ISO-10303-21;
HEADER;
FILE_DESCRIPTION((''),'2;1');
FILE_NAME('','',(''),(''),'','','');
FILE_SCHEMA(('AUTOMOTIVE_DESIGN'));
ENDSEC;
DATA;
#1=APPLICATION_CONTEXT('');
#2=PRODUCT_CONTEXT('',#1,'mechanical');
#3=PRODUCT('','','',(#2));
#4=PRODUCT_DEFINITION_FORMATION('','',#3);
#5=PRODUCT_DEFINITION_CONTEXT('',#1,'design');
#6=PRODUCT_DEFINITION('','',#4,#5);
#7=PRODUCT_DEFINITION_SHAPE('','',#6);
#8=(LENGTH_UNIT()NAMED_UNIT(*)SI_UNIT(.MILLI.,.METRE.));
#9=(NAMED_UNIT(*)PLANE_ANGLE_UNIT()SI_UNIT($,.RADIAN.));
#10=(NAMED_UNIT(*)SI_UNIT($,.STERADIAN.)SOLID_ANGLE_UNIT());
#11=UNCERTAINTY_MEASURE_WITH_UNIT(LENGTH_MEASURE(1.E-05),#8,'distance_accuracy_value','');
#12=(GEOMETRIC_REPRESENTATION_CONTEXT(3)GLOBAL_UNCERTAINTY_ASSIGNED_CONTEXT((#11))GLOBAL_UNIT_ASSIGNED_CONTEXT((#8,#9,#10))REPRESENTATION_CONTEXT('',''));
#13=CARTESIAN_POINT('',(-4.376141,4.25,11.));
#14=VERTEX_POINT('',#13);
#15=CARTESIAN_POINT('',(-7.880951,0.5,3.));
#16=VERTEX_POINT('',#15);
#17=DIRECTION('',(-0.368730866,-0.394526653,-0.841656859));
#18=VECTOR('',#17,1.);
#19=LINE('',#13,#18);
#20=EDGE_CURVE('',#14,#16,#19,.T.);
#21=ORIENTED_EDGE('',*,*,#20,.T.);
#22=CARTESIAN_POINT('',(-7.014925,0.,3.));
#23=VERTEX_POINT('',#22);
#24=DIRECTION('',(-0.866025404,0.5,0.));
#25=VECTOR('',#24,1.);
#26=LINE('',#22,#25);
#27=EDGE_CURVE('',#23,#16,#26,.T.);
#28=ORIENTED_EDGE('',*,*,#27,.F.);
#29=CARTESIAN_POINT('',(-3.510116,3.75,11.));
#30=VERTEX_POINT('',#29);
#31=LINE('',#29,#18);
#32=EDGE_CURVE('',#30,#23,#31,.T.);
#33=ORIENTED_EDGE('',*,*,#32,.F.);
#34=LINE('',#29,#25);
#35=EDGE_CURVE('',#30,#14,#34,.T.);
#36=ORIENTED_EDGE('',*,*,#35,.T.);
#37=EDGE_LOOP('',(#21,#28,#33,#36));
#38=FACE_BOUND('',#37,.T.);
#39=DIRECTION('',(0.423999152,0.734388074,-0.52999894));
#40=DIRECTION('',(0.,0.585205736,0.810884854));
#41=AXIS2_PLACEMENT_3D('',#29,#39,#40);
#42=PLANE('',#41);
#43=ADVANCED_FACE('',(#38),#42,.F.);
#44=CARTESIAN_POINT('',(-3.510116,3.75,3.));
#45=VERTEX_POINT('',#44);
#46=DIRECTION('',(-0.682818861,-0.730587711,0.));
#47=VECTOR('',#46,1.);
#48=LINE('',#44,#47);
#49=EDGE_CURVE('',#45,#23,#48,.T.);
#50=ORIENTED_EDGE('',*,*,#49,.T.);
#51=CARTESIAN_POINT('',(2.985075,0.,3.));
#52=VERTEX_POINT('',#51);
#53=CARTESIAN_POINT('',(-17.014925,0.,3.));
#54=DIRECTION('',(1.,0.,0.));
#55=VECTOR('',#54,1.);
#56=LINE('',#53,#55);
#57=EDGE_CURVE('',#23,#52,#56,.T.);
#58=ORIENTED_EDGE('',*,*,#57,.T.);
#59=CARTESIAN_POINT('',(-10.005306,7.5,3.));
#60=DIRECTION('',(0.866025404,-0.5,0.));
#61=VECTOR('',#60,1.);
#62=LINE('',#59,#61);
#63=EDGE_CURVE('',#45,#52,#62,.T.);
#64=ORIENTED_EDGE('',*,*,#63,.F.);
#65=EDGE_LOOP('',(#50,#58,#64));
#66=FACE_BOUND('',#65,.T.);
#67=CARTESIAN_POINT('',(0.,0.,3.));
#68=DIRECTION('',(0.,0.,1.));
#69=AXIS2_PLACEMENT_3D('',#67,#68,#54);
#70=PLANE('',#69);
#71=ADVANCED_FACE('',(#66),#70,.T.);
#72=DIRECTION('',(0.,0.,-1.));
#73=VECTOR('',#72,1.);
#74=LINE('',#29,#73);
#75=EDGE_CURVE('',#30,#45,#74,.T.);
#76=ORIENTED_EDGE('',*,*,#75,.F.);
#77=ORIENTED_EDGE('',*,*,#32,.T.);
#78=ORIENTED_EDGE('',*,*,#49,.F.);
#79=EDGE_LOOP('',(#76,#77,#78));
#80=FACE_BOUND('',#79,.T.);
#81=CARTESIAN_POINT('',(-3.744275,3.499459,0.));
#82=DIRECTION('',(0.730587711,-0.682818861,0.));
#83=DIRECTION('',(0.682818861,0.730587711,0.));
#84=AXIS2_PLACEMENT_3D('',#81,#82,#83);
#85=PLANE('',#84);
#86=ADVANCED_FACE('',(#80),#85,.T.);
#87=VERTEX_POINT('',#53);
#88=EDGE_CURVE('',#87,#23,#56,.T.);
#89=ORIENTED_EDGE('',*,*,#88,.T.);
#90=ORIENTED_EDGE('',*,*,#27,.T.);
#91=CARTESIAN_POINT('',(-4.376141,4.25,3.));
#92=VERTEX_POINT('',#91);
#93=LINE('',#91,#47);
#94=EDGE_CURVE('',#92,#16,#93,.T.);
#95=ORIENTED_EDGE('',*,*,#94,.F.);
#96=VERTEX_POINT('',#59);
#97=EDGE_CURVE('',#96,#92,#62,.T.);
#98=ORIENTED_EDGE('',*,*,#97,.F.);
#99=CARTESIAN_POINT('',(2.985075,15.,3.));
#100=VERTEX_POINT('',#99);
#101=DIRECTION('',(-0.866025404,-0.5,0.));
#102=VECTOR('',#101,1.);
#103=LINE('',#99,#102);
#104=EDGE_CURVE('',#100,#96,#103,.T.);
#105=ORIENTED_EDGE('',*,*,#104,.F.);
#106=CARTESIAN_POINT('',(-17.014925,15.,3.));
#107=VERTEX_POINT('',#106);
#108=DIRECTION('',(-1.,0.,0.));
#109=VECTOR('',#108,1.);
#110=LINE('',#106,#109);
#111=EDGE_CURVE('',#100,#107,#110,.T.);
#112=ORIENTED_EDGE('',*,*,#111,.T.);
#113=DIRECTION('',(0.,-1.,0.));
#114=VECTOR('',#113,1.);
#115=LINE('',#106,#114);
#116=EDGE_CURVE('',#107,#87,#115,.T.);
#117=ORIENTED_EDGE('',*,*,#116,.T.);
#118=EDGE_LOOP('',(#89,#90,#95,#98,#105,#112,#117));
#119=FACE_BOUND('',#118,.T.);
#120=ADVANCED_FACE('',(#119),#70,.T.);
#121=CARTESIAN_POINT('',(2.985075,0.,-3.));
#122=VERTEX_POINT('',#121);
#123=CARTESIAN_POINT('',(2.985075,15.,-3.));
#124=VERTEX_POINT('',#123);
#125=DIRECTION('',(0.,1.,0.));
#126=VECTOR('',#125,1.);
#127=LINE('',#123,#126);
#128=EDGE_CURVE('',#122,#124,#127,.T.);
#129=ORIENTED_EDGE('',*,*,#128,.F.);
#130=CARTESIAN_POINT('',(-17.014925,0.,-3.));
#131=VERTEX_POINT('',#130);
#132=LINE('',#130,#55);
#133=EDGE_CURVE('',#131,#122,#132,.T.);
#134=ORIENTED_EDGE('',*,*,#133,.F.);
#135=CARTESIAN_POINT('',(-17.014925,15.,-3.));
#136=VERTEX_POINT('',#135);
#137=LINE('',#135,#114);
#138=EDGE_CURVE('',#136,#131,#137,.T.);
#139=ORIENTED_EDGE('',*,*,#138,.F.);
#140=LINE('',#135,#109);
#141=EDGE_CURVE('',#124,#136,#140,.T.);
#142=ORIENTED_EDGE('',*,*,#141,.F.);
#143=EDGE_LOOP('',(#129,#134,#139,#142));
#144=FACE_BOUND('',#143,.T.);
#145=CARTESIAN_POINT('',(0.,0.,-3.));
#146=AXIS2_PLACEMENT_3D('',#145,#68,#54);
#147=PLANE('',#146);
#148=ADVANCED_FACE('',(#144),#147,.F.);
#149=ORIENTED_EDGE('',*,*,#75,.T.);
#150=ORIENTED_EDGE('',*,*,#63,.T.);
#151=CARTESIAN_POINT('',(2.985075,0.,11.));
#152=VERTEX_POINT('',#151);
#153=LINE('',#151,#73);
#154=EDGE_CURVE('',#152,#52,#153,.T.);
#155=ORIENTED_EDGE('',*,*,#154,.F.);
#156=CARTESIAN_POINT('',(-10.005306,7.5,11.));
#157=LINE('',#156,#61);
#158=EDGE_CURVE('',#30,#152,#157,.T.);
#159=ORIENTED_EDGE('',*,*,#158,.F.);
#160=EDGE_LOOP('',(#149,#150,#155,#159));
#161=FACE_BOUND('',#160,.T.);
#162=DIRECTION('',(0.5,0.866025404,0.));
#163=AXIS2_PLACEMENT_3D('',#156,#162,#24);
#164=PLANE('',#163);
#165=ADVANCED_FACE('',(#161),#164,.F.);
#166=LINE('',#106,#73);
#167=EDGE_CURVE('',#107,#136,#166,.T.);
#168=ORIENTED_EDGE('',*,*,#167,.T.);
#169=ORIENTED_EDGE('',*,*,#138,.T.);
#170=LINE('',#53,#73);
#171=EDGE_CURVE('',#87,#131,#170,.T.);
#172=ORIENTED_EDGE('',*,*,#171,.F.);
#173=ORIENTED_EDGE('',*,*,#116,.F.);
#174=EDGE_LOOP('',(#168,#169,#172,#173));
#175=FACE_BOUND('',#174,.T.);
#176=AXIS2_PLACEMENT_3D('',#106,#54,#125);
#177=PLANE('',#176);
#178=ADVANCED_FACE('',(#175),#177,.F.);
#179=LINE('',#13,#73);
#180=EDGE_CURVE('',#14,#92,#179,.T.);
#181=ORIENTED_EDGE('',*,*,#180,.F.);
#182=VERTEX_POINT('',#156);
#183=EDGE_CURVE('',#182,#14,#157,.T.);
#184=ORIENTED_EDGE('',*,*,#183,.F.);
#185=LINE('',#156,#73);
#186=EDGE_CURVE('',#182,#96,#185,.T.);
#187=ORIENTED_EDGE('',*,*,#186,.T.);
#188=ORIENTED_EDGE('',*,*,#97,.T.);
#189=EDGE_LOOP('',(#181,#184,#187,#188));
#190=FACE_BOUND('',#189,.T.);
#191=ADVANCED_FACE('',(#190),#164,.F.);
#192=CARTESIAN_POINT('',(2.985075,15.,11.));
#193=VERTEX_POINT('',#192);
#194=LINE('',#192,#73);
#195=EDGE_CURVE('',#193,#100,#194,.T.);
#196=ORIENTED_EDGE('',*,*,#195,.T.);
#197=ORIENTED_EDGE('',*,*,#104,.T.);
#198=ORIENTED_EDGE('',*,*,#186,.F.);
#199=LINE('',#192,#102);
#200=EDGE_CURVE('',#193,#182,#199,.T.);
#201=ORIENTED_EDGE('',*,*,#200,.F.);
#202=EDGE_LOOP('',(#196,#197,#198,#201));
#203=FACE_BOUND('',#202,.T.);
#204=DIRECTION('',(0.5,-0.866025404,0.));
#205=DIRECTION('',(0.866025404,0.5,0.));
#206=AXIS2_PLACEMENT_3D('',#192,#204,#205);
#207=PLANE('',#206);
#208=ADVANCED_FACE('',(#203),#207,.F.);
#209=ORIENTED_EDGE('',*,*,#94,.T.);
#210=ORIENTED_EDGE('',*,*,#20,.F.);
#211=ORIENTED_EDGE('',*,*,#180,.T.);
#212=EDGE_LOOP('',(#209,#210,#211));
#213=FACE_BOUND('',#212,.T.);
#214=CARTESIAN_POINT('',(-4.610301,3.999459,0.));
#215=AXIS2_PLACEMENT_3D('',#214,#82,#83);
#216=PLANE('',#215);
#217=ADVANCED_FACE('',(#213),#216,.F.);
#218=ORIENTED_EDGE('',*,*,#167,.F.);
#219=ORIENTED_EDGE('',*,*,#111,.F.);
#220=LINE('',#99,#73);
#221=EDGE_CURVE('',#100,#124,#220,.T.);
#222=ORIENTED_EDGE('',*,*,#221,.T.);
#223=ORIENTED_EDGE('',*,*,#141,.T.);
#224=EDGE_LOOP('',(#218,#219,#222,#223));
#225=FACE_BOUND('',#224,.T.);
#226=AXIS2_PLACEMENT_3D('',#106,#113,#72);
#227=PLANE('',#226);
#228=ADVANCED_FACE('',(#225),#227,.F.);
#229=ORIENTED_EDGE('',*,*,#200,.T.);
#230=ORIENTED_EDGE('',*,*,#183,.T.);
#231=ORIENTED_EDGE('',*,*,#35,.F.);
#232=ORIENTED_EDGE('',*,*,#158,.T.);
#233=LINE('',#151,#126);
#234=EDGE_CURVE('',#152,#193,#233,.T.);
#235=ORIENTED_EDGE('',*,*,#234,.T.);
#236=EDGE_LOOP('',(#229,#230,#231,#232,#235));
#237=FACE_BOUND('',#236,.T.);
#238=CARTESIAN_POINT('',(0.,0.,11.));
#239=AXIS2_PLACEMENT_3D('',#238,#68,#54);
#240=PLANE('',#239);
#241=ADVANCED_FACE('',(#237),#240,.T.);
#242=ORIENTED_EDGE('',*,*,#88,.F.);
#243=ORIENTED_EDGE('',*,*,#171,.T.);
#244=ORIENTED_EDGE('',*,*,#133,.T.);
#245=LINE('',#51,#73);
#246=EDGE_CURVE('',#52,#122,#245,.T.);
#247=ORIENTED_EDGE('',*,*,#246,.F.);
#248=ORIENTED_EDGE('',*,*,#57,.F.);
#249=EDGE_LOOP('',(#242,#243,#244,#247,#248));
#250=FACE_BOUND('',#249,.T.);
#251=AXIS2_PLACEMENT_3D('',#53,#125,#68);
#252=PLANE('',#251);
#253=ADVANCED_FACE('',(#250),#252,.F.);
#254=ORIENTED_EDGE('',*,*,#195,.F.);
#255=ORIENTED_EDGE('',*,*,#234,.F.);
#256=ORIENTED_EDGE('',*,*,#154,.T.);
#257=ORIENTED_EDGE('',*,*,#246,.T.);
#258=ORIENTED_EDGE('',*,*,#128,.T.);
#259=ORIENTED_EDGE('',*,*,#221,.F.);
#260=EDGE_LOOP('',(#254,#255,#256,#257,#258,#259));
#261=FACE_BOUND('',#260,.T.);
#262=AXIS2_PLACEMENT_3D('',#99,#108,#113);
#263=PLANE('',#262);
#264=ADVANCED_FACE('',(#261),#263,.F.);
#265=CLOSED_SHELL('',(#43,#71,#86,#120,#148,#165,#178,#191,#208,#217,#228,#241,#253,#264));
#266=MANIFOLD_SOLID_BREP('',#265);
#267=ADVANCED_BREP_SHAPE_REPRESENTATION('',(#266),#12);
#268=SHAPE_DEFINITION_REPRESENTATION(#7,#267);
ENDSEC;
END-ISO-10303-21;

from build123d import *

# Parameters (mm, degrees)
SKETCH_1_W      = 20
SKETCH_1_H      = 15
EXTRUDE_1_DEPTH = 3
EXTRUDE_2_DEPTH = 8
EXTRUDE_3_DEPTH = 1


with BuildPart() as part:
    # 草图1 → 凸台-拉伸1 (new, symmetric)
    with BuildSketch(Plane.XY):
        with Locations((-7.014925373, 7.5)):
            Rectangle(SKETCH_1_W, SKETCH_1_H)
    extrude(amount=EXTRUDE_1_DEPTH, both=True)



with BuildPart() as body_2:
    # 草图2 → 凸台-拉伸2 (new body)
    with BuildSketch(Plane.XY.offset(3)):
        Polygon((2.985074627, 0), (2.985074627, 15), (-10.00530643, 7.5), align=None)
    extrude(amount=EXTRUDE_2_DEPTH)


with BuildPart() as part_1:
    add(part.part)

    add(body_2.part)  # 凸台-拉伸3 merges body 2
    # Sketch 3D_1 → 凸台-拉伸3 (add, along a direction that is not the sketch's normal)
    with BuildSketch(Plane(origin=(-3.510115902, 3.75, 11), x_dir=(-0.368730866446014, -0.3945266526955367, -0.8416568590838117), z_dir=(0.7305877107722233, -0.6828188609496683, 0))):
        Polygon((0, 0), (9.505061253, 0), (6.733254873, 4.320101714), align=None)
    extrude(amount=-EXTRUDE_3_DEPTH, dir=(0.8660254037844387, -0.49999999999999983, 0))


solid = part_1.part
